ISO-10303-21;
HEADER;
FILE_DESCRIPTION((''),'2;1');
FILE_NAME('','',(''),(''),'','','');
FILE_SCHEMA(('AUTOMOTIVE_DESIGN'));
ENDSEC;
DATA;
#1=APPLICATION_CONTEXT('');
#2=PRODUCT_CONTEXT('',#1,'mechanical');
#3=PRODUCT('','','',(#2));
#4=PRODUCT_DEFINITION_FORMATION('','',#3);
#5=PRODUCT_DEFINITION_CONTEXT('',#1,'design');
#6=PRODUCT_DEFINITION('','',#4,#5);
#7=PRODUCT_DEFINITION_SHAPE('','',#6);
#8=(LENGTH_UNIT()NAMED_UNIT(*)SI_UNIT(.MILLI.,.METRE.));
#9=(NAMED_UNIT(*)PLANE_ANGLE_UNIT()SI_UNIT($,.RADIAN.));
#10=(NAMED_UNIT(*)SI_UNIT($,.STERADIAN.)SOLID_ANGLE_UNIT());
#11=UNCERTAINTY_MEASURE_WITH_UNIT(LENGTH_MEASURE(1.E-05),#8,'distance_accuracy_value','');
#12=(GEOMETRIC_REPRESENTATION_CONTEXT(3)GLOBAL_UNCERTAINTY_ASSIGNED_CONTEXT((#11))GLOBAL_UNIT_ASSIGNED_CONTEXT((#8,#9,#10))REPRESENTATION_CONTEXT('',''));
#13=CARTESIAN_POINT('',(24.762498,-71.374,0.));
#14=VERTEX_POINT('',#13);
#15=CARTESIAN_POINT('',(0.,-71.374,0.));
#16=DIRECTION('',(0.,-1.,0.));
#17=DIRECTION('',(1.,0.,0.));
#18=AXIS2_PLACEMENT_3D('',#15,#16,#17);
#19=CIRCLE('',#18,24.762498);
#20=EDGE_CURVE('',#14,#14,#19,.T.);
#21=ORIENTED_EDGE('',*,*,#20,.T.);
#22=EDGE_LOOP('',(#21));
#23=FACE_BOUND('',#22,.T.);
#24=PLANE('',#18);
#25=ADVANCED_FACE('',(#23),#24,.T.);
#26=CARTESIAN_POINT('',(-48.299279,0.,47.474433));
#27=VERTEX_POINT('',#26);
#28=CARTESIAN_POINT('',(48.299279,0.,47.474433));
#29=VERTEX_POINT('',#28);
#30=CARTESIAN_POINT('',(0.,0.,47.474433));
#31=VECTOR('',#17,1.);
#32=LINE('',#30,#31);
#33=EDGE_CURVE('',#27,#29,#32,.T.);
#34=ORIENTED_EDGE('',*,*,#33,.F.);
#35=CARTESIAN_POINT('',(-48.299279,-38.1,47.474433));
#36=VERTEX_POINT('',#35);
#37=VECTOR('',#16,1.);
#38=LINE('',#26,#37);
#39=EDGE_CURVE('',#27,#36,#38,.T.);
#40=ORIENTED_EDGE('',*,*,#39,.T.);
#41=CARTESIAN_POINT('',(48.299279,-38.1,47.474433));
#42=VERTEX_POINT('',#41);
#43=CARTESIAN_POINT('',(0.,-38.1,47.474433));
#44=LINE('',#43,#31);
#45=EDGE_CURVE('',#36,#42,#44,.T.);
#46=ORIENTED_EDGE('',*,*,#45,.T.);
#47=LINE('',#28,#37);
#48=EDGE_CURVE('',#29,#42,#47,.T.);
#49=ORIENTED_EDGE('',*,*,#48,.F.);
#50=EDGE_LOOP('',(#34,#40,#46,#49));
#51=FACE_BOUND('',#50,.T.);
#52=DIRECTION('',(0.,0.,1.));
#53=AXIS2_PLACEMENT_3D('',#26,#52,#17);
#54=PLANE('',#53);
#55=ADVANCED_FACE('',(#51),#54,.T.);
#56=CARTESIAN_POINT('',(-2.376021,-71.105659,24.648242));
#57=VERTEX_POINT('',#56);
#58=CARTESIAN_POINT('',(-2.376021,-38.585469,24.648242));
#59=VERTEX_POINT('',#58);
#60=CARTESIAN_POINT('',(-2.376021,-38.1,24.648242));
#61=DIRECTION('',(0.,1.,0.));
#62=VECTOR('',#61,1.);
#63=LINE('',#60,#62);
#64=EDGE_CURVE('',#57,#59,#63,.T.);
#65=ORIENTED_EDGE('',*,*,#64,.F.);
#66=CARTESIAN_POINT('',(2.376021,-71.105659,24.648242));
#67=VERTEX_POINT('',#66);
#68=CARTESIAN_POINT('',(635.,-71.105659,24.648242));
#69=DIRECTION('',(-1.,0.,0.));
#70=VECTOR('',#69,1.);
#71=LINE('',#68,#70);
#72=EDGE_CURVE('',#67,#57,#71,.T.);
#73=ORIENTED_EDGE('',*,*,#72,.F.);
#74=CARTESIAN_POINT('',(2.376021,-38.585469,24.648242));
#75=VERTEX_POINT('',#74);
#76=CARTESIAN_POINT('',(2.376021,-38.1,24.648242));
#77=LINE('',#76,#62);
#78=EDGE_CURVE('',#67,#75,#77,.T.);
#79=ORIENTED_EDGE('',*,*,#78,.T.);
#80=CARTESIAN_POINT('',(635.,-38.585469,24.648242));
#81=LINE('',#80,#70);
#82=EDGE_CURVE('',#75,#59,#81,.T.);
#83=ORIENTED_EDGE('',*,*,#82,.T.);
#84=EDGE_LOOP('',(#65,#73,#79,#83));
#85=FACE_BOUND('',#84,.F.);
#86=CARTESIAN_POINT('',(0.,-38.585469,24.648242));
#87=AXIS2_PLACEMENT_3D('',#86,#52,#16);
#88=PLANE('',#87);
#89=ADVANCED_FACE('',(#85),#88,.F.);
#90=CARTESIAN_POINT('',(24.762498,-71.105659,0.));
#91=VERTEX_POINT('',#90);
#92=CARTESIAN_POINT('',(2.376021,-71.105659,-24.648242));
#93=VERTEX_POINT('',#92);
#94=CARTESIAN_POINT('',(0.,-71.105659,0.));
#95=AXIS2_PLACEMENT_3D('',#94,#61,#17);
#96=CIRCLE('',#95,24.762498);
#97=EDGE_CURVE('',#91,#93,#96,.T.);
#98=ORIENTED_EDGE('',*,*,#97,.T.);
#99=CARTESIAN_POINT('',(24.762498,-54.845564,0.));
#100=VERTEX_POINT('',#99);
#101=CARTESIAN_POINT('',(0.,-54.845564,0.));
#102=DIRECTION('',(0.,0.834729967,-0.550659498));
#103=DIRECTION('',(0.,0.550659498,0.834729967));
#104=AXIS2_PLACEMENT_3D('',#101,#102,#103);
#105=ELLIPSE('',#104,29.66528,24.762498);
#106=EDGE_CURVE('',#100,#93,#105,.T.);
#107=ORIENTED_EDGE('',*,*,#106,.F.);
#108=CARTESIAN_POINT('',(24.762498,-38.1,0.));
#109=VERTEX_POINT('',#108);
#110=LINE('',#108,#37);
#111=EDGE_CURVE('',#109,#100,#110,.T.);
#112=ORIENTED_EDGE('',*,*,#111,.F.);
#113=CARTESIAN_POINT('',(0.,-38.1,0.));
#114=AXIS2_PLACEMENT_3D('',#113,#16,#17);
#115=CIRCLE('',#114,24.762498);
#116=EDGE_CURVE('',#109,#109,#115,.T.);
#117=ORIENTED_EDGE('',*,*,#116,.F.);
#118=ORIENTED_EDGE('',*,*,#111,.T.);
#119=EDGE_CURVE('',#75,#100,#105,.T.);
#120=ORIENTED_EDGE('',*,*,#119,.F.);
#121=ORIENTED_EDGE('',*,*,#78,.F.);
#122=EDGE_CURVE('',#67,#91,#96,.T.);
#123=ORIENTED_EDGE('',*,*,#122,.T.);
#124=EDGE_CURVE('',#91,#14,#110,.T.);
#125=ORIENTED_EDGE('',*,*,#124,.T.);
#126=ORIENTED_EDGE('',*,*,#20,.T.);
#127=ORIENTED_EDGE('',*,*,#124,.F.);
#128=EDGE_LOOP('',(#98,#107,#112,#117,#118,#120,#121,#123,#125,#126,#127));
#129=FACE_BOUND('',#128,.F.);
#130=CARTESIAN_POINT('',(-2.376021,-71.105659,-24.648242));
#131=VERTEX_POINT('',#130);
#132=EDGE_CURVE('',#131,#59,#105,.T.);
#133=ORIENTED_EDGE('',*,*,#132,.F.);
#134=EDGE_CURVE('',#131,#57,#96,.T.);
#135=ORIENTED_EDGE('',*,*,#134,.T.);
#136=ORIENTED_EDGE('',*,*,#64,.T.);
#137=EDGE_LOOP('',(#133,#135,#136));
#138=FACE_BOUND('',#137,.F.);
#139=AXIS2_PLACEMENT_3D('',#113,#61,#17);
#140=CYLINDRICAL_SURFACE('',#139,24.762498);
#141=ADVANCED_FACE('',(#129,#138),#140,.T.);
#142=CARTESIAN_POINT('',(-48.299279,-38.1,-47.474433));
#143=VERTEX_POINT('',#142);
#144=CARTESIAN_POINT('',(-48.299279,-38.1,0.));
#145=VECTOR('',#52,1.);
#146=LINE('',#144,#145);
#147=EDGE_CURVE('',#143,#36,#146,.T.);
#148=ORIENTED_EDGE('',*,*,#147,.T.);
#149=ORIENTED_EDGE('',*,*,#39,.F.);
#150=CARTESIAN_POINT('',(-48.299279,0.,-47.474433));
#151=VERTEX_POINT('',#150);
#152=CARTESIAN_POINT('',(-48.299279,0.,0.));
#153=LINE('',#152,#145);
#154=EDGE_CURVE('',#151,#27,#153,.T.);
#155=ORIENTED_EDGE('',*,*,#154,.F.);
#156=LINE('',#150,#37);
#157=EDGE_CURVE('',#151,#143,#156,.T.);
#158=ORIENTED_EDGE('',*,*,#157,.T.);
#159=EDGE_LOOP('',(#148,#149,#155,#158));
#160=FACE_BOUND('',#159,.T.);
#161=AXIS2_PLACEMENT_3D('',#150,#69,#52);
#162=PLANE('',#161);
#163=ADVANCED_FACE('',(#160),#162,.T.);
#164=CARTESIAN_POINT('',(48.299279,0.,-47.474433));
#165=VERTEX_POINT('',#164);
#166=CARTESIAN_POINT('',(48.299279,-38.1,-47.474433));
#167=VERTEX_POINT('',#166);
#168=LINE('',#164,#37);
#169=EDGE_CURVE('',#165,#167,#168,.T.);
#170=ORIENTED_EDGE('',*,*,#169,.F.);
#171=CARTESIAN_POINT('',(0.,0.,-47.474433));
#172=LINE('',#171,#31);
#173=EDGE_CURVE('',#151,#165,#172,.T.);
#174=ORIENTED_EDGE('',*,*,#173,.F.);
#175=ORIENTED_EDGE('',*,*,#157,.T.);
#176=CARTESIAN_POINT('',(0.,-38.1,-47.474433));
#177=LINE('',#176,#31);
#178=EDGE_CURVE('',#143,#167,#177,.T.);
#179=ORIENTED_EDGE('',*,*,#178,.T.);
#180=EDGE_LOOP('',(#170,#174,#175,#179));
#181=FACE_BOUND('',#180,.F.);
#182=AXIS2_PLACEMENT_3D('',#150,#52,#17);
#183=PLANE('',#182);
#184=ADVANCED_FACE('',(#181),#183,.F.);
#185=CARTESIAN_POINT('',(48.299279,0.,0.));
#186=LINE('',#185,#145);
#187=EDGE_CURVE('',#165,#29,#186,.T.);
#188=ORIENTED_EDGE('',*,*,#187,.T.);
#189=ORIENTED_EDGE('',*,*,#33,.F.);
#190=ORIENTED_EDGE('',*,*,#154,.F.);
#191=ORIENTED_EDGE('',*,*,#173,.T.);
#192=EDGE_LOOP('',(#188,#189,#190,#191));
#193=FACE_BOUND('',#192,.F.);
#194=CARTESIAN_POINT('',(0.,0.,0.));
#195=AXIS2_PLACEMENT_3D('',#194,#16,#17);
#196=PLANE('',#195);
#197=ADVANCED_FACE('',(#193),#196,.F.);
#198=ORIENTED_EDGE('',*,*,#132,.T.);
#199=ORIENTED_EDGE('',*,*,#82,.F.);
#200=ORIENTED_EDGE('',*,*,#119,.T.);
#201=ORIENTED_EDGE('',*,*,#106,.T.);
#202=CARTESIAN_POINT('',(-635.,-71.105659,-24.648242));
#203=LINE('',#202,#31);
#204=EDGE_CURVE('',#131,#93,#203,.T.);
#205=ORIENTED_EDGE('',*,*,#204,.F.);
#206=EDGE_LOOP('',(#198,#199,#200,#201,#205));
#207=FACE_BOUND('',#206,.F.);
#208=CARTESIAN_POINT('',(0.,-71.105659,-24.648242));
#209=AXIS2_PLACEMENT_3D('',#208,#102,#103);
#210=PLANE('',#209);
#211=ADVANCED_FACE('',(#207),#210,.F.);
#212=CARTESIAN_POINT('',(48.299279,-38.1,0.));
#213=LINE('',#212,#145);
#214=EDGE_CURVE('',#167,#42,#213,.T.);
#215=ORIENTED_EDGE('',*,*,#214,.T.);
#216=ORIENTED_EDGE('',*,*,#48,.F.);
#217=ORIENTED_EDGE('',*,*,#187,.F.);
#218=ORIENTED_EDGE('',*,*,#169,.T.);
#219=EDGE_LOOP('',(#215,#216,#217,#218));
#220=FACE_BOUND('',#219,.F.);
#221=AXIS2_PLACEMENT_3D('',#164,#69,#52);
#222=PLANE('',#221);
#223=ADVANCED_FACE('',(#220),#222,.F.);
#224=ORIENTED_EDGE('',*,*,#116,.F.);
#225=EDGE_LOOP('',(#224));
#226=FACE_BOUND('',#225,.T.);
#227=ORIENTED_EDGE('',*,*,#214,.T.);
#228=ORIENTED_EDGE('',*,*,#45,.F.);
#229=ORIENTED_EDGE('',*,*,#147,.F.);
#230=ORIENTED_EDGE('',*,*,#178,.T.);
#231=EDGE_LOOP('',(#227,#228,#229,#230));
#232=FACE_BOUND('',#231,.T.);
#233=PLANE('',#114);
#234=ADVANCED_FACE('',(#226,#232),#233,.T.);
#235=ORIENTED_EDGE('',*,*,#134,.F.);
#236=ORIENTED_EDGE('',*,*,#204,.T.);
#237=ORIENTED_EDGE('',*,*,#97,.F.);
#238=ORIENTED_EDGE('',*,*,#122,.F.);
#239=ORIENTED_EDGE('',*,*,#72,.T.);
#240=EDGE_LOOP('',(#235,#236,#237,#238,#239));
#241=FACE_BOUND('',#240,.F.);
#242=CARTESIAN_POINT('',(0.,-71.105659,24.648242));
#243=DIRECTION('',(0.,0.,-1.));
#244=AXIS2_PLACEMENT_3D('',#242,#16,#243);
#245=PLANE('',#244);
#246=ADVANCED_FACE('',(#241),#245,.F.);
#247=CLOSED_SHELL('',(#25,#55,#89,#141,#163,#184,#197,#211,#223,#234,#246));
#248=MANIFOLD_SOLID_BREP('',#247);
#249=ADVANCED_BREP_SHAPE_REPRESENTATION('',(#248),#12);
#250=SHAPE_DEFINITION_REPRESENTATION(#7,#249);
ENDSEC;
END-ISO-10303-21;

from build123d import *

# Parameters (mm, degrees)
F0_W     = 96.598558
F0_H     = 94.948866
F1_DEPTH = 38.1
F2_R     = 24.762498
F3_DEPTH = 33.274
F5_DEPTH = 635


with BuildPart() as f1:
    # F0 (on Front) → F1 (new body)
    with BuildSketch(Plane.XZ):
        Rectangle(F0_W, F0_H)
    extrude(amount=F1_DEPTH)

    # F2 (on face) → F3 (join)
    with BuildSketch(Plane.XZ.offset(38.1)):
        Circle(F2_R)
    extrude(amount=F3_DEPTH)

    # F4 (on Right) → F5 (cut, symmetric)
    with BuildSketch(Plane.YZ):
        Polygon((-71.105659, 24.648242), (-71.105659, -24.648242), (-38.585469, 24.648242), align=None)
    extrude(amount=F5_DEPTH, both=True, mode=Mode.SUBTRACT)


solid = f1.part
